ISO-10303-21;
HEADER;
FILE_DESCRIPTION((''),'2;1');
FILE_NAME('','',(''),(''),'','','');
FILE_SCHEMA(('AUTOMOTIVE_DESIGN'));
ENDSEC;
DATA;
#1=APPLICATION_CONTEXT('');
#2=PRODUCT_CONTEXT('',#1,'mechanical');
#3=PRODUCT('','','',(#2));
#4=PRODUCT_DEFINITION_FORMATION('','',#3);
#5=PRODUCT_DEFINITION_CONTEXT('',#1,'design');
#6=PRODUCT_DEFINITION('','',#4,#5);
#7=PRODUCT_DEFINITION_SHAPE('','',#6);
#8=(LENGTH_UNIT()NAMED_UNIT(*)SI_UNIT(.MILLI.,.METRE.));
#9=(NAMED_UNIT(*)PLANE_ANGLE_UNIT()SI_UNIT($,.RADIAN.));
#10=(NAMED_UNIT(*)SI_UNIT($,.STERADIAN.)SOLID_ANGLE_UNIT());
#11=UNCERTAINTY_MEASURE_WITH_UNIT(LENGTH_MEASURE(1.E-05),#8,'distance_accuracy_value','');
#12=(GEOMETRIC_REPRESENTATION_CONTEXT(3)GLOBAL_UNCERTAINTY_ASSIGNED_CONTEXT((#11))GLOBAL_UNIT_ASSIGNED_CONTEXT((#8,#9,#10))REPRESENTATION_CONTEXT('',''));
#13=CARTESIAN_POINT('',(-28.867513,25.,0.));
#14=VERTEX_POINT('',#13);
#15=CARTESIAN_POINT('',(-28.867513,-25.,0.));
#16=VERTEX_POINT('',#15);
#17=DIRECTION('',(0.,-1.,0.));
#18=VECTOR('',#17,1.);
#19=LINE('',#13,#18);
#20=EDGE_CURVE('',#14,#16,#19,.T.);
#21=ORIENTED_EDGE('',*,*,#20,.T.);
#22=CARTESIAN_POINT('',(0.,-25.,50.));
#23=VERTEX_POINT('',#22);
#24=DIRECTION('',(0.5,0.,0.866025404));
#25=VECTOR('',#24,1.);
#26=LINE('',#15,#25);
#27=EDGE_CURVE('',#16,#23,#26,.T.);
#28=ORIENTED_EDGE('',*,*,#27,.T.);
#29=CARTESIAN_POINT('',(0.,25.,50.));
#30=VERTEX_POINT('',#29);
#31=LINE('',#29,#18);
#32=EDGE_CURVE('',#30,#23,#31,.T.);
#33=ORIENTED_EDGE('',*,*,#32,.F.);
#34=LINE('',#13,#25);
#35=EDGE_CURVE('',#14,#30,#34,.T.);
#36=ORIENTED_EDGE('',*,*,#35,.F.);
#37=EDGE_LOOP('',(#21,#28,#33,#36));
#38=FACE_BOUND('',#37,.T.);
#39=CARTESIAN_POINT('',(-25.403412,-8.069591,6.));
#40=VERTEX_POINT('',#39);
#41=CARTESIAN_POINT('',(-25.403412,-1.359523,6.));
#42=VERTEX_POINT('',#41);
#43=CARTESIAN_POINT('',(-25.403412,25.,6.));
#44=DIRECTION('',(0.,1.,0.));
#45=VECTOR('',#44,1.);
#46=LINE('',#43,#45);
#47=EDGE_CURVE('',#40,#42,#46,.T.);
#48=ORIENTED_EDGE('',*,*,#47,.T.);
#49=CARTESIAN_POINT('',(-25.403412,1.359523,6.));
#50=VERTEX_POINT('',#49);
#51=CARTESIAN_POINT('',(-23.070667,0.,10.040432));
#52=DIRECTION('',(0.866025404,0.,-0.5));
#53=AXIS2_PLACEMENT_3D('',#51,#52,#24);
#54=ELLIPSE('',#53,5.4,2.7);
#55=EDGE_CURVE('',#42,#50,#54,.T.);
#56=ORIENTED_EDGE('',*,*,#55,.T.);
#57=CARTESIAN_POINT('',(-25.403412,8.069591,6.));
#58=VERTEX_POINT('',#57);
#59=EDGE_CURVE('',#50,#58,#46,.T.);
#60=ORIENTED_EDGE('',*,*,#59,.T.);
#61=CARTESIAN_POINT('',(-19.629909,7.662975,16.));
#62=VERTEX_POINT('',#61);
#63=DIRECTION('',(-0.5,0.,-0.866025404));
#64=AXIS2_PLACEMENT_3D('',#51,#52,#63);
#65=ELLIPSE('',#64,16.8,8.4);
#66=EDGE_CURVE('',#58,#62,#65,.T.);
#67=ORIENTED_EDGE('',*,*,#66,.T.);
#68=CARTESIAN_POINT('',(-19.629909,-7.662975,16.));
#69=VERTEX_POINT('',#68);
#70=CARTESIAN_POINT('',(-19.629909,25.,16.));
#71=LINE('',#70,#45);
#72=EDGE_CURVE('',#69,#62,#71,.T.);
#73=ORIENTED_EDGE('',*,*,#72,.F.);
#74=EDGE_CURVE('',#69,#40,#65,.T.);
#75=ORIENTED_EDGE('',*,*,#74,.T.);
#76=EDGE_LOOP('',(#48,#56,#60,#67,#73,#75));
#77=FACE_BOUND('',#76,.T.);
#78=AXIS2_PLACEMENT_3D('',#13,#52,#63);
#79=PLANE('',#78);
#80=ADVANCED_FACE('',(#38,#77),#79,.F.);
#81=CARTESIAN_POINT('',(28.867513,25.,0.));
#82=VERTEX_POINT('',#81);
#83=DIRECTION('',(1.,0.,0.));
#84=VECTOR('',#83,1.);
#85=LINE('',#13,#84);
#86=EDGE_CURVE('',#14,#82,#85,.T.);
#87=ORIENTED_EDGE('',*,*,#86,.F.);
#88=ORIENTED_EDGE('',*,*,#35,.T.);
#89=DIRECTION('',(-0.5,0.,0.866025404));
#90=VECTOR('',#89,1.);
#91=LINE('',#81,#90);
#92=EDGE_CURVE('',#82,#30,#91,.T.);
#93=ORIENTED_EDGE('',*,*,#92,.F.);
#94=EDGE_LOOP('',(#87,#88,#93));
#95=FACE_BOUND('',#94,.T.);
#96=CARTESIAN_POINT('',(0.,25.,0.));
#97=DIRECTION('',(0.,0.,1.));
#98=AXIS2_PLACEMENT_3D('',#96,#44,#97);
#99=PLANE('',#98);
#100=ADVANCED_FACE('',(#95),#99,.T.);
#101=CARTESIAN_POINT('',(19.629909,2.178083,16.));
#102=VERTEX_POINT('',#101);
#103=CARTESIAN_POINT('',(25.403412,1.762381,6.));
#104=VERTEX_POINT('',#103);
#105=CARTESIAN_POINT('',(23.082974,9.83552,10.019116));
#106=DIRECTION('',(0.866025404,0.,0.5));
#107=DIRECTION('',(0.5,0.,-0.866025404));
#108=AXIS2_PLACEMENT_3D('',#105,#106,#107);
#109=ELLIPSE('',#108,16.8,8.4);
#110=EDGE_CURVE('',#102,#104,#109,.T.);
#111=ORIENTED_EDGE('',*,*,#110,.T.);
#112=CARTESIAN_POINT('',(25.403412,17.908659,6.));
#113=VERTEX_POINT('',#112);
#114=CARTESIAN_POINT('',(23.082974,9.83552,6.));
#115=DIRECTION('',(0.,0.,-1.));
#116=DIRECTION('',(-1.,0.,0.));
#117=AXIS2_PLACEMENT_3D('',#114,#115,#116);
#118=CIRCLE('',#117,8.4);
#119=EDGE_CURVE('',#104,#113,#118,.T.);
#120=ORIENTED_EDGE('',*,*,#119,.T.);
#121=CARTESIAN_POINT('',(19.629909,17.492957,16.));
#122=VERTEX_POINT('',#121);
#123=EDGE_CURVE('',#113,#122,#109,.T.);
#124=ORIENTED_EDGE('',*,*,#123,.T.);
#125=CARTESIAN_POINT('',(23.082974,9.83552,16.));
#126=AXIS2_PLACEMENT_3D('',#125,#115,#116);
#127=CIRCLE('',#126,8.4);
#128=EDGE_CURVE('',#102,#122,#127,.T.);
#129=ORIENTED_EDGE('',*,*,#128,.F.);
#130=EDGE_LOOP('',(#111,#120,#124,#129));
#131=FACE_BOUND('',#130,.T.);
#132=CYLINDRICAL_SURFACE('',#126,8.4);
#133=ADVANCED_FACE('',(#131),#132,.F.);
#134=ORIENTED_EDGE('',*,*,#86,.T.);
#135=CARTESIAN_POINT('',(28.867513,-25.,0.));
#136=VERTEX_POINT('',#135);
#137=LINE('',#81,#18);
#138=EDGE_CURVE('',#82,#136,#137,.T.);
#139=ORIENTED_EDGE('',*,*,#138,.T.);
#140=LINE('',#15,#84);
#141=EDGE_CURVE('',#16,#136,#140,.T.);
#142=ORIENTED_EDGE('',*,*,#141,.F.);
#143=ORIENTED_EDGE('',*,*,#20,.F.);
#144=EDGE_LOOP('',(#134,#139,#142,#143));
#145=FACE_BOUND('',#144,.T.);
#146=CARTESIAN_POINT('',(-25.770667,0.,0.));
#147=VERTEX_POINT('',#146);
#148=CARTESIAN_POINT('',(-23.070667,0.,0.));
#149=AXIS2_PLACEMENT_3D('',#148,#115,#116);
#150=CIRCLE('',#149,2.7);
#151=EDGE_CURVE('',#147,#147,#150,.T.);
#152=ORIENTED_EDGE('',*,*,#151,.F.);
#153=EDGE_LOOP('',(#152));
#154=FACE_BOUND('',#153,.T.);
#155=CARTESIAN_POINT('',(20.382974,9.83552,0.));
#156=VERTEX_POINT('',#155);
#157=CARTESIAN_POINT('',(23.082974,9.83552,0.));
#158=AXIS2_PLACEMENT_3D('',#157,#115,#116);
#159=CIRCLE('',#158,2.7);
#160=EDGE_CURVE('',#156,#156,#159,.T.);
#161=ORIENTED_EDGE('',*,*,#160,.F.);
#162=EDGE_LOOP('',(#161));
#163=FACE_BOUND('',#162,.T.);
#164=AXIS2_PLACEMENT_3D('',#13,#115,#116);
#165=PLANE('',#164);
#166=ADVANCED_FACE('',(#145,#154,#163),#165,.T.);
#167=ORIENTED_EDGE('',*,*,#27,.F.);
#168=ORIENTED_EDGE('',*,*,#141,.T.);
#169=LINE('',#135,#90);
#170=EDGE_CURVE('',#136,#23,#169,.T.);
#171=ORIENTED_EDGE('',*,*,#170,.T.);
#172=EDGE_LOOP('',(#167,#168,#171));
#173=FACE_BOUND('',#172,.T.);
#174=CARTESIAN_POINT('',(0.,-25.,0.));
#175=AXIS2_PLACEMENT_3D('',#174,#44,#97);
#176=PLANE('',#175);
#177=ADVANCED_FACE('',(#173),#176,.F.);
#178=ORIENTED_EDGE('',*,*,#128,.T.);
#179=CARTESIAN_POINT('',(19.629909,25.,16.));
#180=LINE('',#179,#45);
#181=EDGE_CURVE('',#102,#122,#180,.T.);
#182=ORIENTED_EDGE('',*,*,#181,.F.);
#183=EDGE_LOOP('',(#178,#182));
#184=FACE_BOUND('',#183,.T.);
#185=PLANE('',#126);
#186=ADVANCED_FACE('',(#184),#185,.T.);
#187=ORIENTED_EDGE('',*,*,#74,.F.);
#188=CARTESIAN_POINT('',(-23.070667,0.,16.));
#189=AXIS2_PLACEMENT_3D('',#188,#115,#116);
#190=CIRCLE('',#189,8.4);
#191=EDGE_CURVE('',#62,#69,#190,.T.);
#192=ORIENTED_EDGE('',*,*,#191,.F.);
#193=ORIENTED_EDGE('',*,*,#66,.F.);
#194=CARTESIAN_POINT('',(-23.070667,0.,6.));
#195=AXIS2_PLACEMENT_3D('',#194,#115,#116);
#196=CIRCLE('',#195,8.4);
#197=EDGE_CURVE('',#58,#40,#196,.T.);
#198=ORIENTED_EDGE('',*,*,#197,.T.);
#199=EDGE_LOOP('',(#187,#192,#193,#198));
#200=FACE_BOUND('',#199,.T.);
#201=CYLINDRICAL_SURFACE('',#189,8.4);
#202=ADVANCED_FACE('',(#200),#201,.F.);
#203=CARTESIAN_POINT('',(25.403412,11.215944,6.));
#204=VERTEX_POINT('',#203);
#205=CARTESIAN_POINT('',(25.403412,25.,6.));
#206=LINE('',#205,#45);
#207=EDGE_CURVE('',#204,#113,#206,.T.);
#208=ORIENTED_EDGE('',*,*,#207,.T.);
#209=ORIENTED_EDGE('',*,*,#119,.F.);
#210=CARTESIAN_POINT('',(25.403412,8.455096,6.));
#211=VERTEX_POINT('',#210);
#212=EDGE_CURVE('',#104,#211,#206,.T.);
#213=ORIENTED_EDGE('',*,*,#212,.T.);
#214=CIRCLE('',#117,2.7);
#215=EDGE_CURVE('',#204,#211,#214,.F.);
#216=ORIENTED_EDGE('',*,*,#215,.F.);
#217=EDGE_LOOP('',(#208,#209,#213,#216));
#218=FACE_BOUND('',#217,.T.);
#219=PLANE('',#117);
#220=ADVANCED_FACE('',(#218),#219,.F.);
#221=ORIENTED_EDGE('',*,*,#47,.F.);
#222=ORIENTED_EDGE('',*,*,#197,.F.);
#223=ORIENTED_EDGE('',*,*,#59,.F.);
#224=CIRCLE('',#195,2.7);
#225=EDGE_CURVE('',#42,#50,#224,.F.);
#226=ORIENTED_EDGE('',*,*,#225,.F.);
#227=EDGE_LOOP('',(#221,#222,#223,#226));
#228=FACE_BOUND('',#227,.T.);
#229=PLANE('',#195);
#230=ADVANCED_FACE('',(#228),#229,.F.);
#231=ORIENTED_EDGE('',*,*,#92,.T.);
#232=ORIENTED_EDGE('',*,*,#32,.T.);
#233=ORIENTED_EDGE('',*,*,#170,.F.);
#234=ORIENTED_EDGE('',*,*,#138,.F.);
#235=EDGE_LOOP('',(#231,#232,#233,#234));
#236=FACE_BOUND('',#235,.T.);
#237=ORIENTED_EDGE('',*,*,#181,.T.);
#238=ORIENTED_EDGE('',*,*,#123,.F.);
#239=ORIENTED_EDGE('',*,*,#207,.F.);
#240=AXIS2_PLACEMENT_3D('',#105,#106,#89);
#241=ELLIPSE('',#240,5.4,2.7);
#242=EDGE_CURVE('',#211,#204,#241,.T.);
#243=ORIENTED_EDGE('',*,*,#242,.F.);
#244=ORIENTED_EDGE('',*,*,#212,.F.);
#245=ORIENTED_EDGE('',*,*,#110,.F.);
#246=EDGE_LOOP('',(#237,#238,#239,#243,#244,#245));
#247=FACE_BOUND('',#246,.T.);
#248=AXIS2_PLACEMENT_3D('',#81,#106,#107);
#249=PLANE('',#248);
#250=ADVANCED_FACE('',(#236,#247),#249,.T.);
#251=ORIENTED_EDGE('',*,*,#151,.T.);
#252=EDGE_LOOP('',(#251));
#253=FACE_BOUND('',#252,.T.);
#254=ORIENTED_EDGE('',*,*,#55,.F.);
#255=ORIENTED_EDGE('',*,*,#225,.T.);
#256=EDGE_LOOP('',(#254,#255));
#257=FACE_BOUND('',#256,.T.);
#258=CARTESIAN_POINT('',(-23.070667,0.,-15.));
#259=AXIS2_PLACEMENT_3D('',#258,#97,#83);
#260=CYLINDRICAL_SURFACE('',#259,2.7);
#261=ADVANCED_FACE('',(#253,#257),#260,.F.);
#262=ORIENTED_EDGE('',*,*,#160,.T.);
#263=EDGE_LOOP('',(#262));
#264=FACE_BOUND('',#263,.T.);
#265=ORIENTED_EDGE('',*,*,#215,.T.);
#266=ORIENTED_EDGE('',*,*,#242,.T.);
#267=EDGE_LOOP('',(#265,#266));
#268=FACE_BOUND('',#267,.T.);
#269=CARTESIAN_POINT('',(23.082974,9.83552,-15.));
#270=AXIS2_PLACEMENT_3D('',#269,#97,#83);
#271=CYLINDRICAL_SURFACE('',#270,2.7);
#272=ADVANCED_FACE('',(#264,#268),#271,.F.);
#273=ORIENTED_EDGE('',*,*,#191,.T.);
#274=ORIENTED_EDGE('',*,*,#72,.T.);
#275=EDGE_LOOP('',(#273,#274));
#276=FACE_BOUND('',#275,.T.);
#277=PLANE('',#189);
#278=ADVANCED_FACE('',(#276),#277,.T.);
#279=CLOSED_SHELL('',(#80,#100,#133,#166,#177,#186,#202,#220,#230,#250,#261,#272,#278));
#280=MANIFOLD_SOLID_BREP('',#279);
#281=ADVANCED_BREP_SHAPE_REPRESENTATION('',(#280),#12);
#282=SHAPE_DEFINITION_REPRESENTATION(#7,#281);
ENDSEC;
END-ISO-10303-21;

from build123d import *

# Parameters (mm, degrees)
SALIENTE_EXTRUIR1_DEPTH = 25
CROQUIS6_R              = 2.7
CORTAR_EXTRUIR1_DEPTH   = 15
CROQUIS7_R              = 8.4
CORTAR_EXTRUIR2_DEPTH   = 10


with BuildPart() as part:
    # Croquis1 → Saliente-Extruir1 (new, symmetric)
    with BuildSketch(Plane(origin=(0, 0, 0), x_dir=(1, 0, 0), z_dir=(0, 1, 0))):
        Polygon((-28.867513459, 0), (28.867513459, 0), (0, -50), align=None)
    extrude(amount=SALIENTE_EXTRUIR1_DEPTH, both=True)

    # Croquis6 → Cortar-Extruir1 (cut, symmetric)
    with BuildSketch(Plane.XY):
        with Locations((-23.070667369, 0)):
            Circle(CROQUIS6_R)
        with Locations(Location((23.082974371, 9.835520027, 0), (0, 0, 180))):
            Circle(CROQUIS6_R)
    extrude(amount=CORTAR_EXTRUIR1_DEPTH, both=True, mode=Mode.SUBTRACT)

    # Croquis7 → Cortar-Extruir2 (cut)
    with BuildSketch(Plane(origin=(0, 0, 6), x_dir=(-1, 0, 0), z_dir=(0, 0, -1))):
        with Locations((-23.082974371, 9.835520027)):
            Circle(CROQUIS7_R)
        with Locations((23.070667369, 0)):
            Circle(CROQUIS7_R)
    extrude(amount=-CORTAR_EXTRUIR2_DEPTH, mode=Mode.SUBTRACT)


solid = part.part
